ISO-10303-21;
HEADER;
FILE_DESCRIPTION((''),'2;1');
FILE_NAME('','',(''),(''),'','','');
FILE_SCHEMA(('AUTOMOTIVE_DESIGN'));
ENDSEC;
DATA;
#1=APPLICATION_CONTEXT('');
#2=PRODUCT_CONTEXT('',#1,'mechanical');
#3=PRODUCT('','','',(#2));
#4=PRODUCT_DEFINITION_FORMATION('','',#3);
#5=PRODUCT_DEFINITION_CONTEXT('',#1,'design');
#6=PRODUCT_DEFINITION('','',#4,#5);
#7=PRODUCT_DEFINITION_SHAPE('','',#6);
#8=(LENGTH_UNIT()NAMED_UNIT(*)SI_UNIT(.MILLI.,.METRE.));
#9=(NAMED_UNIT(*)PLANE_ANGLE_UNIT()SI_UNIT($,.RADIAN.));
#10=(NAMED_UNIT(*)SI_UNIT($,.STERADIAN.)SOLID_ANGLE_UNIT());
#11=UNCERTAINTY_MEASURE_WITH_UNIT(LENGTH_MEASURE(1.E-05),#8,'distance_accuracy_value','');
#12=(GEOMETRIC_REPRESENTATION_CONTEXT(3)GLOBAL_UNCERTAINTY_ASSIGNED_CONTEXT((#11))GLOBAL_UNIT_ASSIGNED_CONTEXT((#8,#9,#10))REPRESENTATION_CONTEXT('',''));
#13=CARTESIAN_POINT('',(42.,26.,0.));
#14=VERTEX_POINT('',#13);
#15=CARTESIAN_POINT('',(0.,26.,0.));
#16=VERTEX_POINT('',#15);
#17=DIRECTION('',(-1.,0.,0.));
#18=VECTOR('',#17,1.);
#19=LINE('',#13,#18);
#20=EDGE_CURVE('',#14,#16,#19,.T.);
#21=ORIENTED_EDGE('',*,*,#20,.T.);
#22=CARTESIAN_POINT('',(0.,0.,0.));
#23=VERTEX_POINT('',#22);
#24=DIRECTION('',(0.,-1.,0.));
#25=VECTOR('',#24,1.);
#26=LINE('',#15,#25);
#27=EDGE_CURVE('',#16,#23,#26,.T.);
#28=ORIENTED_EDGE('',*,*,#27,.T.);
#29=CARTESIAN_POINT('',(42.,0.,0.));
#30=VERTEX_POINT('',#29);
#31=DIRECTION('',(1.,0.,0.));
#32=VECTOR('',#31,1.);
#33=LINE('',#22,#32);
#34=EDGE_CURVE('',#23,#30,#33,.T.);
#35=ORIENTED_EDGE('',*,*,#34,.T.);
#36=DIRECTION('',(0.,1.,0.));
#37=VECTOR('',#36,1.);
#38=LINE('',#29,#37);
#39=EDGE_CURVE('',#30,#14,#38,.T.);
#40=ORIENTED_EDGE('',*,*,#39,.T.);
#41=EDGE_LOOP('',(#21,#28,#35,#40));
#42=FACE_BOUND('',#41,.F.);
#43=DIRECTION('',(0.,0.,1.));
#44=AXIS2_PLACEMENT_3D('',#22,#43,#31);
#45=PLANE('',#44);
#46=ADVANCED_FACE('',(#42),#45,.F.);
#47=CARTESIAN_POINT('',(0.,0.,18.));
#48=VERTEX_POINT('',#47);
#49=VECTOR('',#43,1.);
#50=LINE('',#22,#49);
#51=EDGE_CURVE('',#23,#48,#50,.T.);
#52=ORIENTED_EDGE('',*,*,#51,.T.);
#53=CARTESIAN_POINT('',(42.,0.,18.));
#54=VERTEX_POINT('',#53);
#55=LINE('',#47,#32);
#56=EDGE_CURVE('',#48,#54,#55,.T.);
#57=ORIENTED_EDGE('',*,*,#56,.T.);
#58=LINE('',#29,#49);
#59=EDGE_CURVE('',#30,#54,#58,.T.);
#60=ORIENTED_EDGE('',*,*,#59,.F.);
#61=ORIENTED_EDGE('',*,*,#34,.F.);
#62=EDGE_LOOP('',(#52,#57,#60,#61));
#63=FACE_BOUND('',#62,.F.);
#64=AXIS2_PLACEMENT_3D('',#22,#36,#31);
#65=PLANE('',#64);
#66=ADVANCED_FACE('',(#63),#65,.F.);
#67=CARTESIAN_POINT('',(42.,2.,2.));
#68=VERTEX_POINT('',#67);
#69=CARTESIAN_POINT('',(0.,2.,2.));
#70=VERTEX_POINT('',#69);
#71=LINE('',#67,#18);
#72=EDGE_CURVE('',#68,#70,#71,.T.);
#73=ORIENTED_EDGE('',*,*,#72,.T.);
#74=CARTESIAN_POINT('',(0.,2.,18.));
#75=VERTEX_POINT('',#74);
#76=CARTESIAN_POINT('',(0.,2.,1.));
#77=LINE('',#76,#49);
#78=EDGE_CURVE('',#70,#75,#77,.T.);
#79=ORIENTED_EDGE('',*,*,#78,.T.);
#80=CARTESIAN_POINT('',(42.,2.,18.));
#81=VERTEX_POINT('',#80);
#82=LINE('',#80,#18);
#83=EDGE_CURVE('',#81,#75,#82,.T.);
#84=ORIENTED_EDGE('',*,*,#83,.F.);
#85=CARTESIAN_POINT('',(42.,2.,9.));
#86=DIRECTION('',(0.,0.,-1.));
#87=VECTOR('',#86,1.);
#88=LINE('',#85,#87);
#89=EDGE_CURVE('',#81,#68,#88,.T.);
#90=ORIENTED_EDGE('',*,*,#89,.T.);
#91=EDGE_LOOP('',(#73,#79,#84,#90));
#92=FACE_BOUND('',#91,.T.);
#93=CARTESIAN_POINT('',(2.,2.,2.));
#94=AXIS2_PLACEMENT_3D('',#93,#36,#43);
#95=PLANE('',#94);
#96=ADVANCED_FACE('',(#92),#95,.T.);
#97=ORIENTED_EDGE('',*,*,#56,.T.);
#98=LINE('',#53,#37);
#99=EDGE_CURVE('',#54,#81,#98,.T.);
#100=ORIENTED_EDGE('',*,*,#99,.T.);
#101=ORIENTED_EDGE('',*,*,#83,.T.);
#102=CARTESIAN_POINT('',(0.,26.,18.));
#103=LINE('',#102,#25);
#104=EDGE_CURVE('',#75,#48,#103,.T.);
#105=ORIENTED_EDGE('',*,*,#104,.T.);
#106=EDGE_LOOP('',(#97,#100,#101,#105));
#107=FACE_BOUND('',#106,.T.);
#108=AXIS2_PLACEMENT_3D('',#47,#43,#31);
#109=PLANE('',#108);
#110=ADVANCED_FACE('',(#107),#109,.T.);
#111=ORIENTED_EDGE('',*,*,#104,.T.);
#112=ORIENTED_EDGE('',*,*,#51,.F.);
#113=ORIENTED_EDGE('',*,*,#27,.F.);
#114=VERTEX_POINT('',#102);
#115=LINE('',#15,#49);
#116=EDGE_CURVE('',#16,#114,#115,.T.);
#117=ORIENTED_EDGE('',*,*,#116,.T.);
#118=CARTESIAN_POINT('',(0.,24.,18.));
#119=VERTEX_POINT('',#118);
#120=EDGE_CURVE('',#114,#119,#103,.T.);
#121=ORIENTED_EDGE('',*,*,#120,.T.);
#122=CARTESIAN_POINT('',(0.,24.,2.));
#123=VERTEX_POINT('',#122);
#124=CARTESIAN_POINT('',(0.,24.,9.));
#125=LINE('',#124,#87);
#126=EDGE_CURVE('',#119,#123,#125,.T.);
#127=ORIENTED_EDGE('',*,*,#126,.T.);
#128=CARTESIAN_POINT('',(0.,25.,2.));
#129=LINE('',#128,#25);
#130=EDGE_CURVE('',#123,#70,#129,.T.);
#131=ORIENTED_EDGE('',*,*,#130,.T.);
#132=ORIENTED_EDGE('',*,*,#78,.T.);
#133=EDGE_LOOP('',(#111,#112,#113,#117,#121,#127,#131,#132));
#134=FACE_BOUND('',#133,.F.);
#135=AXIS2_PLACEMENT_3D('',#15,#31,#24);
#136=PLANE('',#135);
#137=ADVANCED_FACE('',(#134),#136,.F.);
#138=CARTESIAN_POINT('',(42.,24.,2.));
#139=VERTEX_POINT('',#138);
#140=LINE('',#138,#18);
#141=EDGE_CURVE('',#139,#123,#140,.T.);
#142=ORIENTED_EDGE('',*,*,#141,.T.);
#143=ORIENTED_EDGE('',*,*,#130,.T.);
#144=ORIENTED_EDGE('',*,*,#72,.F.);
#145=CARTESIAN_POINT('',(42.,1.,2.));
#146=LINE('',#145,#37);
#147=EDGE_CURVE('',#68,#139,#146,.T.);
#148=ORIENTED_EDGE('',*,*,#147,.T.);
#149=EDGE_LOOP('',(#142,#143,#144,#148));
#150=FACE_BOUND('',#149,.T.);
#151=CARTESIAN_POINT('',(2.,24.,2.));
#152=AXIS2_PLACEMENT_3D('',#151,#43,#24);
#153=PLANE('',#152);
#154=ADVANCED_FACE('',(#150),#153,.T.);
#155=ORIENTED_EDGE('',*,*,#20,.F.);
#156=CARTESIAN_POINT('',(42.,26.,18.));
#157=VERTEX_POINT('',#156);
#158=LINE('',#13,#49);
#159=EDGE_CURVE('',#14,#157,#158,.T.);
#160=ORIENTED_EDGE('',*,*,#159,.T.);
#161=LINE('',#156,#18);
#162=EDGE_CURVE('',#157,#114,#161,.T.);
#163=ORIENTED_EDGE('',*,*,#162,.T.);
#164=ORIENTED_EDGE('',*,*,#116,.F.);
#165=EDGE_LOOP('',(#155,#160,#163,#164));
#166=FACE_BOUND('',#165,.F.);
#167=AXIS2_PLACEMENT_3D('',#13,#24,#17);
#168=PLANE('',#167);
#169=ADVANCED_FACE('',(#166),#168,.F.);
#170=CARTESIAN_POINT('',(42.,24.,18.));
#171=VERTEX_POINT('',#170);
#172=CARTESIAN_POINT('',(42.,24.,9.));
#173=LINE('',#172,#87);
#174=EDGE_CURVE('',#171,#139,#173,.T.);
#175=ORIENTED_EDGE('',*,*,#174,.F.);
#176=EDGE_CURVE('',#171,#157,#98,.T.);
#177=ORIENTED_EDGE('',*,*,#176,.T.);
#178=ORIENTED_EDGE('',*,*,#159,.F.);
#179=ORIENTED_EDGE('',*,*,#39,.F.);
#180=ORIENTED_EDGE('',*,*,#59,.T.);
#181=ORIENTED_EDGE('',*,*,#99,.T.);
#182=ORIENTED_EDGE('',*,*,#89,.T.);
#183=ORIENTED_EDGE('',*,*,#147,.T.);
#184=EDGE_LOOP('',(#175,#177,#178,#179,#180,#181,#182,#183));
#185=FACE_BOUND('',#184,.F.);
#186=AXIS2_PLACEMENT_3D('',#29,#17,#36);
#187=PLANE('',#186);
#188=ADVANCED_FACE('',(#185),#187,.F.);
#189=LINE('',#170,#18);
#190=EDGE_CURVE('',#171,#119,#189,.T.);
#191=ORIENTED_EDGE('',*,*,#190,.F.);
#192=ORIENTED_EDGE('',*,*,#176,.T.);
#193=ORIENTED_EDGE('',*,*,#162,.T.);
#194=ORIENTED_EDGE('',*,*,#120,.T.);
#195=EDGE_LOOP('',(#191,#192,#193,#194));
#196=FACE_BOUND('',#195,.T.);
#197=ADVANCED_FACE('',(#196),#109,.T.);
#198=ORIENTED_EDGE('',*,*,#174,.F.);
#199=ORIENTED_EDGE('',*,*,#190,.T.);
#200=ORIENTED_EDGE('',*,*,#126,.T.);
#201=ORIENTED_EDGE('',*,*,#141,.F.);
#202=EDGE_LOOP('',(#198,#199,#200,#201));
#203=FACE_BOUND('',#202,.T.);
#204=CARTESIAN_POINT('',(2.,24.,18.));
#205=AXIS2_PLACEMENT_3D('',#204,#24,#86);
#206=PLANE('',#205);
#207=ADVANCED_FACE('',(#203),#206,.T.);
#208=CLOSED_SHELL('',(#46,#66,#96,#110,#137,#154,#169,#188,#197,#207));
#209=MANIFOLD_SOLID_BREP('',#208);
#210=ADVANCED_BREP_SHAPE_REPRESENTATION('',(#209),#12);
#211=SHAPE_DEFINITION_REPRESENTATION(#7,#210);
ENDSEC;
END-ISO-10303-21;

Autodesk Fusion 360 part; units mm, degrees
sketch "Sketch1" plane through (0, 0, 0) normal (0, 0, 1) x (1, 0, 0)
  line L0 (0, 0) -> (42, 0)
  line L1 (42, 0) -> (42, 26)
  line L2 (42, 26) -> (0, 26)
  line L3 (0, 26) -> (0, 0)
  dimension "d1" = 42
  dimension "d2" = 26
extrude "Extrude1" add sketch "Sketch1" along normal blind 18
shell "Shell1" thickness 2 removed faces 1 at (14, 17.3333, 18)
extrude "Extrude2" cut 1 faces at (2, 16.6667, 7.3333) along direction (-1, 0, 0) blind 10
extrude "Extrude3" cut 1 faces at (40, 16.6667, 12.6667) along direction (1, 0, 0) blind 20
